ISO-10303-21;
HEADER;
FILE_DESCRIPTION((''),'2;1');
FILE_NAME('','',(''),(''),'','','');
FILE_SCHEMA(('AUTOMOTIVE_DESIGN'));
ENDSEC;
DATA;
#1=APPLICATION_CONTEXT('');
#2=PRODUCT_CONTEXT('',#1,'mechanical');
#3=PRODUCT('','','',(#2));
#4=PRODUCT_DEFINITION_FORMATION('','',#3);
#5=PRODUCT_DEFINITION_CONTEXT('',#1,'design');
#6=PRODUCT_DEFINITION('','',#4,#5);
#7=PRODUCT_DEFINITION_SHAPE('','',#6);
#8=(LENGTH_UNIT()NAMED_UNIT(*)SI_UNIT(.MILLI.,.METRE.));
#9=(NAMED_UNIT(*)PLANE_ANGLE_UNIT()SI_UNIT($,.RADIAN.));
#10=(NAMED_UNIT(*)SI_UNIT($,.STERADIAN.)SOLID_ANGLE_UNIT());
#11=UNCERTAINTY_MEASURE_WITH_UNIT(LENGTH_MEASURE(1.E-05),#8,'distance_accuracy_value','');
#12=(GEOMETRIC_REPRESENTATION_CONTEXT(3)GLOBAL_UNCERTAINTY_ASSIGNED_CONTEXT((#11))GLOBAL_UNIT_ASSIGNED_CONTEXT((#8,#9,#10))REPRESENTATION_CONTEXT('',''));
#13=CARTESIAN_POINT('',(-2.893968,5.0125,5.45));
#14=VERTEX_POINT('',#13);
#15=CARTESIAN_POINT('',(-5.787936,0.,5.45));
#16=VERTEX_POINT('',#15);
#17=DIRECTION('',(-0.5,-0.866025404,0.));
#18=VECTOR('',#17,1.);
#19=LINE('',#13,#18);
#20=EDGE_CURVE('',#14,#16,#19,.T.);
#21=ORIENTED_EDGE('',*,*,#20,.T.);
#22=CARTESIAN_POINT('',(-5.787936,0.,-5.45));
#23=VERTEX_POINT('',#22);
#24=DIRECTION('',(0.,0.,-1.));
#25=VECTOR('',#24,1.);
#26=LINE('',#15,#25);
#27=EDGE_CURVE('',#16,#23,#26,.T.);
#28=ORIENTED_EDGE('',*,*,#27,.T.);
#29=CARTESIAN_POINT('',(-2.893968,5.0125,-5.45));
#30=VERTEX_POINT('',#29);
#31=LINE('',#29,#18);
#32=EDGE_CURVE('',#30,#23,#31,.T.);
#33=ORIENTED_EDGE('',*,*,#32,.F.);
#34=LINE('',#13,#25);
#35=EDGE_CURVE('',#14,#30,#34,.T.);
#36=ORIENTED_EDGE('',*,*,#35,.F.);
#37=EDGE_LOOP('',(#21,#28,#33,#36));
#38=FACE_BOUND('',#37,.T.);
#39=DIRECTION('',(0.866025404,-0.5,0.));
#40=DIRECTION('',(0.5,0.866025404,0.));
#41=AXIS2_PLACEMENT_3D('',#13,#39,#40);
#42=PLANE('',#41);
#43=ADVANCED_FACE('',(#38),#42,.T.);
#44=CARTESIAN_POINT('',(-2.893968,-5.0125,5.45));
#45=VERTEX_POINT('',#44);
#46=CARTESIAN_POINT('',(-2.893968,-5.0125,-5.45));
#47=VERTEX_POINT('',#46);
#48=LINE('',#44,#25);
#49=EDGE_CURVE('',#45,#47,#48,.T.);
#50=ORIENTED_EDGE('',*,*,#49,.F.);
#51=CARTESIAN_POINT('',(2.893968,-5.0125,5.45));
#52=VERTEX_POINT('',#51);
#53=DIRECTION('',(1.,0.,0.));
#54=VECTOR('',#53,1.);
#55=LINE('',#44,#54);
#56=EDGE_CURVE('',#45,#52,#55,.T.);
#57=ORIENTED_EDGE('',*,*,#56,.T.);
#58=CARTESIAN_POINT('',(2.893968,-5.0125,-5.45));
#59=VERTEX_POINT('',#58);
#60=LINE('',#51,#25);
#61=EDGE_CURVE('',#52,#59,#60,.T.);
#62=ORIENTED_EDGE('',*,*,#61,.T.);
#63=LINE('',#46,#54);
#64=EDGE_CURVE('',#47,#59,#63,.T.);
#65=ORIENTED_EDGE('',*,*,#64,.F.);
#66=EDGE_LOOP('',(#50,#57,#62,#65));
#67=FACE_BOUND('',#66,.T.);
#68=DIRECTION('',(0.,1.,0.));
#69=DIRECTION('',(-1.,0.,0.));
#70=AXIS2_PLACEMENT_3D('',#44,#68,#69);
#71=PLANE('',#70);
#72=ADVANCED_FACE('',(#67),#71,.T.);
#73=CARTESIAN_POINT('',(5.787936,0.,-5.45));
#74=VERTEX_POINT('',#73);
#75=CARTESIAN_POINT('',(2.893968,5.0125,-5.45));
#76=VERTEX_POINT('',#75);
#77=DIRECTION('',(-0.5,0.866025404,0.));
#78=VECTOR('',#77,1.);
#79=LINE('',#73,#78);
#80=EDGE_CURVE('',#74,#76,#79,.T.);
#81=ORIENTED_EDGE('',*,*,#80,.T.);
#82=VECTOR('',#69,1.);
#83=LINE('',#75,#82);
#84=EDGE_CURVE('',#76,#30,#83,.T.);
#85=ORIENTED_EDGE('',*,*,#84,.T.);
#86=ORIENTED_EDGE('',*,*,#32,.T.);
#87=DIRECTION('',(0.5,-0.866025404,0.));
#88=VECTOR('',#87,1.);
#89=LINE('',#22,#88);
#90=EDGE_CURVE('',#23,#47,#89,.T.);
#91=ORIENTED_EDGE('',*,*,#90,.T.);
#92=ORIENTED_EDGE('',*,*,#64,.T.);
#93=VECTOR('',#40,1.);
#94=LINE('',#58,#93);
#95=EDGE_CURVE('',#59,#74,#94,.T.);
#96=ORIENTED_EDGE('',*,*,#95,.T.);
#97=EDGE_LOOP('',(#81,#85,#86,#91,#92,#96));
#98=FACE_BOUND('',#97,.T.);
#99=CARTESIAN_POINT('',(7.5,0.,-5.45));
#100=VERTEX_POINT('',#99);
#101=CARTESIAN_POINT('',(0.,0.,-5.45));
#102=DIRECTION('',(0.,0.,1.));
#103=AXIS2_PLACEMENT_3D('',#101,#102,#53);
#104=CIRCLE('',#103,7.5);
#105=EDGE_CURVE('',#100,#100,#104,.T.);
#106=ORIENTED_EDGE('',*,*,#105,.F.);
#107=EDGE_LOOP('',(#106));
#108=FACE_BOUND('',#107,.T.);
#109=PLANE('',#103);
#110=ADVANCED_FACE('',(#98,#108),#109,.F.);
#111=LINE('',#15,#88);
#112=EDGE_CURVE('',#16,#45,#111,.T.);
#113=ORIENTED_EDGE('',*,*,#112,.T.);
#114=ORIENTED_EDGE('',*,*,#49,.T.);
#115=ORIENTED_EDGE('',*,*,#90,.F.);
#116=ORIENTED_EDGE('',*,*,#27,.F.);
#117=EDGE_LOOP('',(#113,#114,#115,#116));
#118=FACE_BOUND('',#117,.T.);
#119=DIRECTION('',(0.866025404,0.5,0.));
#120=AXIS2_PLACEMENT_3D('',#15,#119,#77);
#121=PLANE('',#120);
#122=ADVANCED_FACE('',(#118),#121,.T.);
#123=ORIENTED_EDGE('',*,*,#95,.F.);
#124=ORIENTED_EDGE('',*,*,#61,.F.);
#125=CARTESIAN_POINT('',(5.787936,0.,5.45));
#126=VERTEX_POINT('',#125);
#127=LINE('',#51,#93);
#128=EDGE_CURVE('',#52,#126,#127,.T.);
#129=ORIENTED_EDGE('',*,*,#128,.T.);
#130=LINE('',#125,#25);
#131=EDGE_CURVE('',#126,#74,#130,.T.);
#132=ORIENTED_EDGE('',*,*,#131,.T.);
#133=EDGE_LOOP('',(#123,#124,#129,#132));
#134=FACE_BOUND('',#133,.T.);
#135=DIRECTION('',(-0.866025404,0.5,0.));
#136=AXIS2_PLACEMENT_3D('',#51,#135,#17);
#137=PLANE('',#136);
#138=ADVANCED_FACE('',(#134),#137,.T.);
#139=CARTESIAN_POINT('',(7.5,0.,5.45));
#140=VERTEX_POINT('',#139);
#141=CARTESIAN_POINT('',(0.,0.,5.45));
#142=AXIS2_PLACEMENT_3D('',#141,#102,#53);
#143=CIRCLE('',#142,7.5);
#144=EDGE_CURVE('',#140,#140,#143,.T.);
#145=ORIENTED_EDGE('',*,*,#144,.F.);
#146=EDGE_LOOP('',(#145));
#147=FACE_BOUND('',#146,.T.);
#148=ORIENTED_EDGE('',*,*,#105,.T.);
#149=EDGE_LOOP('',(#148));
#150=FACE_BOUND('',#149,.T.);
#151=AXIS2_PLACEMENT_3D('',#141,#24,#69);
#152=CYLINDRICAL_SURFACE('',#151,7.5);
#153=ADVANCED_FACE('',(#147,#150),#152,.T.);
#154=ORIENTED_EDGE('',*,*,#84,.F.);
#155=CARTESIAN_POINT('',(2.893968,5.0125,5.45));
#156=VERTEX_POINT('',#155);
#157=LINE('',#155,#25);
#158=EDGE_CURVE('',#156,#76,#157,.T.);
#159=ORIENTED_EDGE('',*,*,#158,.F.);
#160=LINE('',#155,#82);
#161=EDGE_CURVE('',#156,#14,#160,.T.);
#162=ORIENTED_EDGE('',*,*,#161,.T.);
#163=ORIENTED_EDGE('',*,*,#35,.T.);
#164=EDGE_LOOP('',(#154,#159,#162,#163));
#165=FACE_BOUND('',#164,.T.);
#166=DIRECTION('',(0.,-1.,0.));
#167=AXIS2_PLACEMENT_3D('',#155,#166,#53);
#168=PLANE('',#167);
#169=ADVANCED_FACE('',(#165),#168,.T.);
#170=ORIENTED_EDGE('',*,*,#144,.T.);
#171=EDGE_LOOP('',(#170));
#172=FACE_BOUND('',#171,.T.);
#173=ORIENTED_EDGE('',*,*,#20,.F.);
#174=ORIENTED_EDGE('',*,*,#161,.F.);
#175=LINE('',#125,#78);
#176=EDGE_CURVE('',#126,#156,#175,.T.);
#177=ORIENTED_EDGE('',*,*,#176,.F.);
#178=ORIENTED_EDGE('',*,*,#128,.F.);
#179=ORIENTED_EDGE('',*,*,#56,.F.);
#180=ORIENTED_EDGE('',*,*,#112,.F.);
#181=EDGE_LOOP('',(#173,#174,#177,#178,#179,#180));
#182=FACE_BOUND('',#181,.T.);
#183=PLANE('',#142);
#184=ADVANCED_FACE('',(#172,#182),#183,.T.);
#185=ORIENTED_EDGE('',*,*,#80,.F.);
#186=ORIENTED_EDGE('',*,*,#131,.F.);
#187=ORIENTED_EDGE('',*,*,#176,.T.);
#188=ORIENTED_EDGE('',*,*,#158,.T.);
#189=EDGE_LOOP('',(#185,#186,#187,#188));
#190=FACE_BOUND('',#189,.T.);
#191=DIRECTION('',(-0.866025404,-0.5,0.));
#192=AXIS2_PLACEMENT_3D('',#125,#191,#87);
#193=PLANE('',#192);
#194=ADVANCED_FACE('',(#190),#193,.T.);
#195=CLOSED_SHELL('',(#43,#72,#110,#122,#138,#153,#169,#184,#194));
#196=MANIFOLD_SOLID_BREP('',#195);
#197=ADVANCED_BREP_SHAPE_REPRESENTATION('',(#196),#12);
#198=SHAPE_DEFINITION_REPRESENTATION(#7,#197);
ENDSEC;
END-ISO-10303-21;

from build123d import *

# Parameters (mm, degrees)
SKETCH1_R           = 7.5
BOSS_EXTRUDE1_DEPTH = 5.45


with BuildPart() as part:
    # Sketch1 → Boss-Extrude1 (new, symmetric)
    with BuildSketch(Plane.XY):
        Circle(SKETCH1_R)
        Polygon((5.787936449, 0), (2.893968224, 5.0125), (-2.893968224, 5.0125), (-5.787936449, 0), (-2.893968224, -5.0125), (2.893968224, -5.0125), align=None, mode=Mode.SUBTRACT)
    extrude(amount=BOSS_EXTRUDE1_DEPTH, both=True)


solid = part.part
